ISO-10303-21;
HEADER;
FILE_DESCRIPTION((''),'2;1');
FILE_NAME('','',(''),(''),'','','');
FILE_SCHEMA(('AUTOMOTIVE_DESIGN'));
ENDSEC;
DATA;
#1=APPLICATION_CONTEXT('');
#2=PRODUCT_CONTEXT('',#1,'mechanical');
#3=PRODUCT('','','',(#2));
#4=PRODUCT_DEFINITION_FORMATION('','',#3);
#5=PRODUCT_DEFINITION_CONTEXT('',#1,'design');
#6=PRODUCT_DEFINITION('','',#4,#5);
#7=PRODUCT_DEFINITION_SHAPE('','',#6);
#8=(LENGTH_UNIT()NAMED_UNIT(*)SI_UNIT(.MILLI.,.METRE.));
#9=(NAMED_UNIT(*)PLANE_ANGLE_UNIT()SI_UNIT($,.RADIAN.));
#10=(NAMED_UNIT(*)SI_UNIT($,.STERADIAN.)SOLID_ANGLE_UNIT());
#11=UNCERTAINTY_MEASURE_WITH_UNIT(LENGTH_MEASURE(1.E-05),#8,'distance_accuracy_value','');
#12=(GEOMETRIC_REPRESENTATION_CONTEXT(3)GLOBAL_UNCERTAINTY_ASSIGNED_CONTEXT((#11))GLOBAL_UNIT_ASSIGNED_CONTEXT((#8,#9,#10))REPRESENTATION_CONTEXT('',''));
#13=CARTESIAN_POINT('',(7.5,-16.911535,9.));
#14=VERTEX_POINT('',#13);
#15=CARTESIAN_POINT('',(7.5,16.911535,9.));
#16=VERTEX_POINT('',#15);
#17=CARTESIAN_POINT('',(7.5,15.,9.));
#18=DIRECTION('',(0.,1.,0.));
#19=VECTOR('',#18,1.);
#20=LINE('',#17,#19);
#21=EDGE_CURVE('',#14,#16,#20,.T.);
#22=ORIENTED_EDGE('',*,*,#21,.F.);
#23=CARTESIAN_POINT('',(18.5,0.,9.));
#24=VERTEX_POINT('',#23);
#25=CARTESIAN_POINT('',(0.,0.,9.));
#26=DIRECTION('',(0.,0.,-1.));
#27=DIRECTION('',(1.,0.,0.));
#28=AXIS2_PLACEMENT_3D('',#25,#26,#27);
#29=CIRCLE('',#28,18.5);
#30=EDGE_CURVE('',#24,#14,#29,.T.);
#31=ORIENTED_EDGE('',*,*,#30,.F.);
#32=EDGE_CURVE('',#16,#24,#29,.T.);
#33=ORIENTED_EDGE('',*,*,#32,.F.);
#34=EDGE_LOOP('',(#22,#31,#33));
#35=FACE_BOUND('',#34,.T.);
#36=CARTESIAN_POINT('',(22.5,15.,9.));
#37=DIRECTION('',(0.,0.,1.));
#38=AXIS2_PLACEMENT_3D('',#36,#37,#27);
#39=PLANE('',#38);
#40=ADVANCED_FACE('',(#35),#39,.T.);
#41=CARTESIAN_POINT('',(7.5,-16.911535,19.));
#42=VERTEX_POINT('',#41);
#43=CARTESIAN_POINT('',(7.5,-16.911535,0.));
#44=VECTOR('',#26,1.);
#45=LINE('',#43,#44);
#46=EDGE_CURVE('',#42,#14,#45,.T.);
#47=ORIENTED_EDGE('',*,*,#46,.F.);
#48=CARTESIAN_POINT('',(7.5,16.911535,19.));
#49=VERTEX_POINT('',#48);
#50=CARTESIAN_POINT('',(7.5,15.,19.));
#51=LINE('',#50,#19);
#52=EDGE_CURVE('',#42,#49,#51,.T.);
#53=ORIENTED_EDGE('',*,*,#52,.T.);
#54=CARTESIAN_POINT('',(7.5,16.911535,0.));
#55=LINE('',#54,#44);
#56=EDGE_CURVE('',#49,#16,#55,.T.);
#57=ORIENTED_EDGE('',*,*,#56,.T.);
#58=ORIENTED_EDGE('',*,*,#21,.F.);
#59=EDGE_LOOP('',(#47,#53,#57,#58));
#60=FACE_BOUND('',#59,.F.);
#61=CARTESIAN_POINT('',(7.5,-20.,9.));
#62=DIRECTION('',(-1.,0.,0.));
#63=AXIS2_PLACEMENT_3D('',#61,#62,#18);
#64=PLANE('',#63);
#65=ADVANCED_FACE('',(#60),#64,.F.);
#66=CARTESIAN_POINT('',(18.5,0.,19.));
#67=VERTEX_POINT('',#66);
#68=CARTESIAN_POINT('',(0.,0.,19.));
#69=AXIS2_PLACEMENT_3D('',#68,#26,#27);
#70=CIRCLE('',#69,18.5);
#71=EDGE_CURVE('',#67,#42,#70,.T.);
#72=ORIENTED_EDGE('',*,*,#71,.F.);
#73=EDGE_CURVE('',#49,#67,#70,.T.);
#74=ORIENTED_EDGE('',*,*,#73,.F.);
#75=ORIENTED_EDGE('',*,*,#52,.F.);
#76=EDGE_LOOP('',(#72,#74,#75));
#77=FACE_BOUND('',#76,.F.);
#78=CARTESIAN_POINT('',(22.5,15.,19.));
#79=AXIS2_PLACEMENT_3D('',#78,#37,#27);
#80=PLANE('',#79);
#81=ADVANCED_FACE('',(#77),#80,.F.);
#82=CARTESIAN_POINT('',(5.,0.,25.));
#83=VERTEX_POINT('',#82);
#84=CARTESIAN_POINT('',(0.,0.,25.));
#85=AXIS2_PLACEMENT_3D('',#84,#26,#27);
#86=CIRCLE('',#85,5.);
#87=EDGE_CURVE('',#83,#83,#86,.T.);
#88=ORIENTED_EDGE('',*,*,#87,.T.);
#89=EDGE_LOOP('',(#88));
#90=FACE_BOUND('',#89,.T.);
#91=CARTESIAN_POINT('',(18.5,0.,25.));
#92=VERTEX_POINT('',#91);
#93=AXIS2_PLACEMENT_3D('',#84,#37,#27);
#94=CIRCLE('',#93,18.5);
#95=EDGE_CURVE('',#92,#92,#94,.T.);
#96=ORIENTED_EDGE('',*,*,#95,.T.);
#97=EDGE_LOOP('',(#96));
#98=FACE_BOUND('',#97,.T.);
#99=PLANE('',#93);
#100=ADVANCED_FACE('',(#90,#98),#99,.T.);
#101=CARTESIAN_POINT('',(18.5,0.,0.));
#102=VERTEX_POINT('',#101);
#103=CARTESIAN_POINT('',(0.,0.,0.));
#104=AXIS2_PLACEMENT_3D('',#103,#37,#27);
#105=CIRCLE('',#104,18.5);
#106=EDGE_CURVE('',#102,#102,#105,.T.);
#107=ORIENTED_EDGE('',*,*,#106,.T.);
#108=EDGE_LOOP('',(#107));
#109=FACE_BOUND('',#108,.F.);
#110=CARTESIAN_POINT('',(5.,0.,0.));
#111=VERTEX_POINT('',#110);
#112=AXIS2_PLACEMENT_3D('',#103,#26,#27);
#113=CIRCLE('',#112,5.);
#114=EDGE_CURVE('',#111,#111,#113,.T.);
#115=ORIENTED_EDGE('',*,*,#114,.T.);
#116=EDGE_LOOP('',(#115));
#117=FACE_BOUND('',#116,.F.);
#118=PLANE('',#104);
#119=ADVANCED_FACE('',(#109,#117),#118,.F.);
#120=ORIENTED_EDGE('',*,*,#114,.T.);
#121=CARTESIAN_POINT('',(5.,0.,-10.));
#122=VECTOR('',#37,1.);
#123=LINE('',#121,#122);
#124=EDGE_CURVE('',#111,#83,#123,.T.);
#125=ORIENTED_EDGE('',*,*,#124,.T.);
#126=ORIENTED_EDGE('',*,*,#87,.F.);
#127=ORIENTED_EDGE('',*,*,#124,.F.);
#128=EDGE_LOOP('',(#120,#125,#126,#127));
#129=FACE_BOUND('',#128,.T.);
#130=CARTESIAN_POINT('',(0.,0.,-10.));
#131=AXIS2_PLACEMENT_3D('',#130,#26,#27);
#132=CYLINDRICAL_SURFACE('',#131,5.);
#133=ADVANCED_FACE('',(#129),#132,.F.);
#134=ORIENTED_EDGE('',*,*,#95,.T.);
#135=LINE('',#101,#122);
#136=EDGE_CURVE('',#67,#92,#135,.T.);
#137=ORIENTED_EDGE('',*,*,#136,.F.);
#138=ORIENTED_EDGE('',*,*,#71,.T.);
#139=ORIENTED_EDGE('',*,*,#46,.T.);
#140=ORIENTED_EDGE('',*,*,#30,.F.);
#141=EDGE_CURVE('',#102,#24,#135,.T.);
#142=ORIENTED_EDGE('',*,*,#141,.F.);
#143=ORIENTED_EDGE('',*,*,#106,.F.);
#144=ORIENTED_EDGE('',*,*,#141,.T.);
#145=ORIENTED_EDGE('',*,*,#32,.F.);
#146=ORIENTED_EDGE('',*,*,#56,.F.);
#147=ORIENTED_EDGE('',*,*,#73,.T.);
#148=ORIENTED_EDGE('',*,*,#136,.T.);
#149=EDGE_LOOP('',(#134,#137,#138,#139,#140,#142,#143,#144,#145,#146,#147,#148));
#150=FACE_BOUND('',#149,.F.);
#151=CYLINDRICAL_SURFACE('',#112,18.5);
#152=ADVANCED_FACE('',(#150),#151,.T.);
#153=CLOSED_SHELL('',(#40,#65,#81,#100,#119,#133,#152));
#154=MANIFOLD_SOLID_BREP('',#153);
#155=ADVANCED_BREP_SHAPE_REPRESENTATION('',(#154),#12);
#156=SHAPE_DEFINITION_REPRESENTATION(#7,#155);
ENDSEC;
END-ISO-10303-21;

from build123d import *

# Parameters (mm, degrees)
BOX001_W          = 30
BOX001_H          = 70
BOX001_DEPTH      = 10
CYLINDER003_R     = 5
CYLINDER003_DEPTH = 40
CYLINDER002_R     = 18.5
CYLINDER002_DEPTH = 25


with BuildPart() as cube001:
    # Box001 → Box001 (new body)
    with BuildSketch(Plane(origin=(7.5, -20, 9), x_dir=(1, 0, 0), z_dir=(0, 0, 1))):
        with Locations((15, 35)):
            Rectangle(BOX001_W, BOX001_H)
    extrude(amount=BOX001_DEPTH)


with BuildPart() as cylinder003:
    # Cylinder003 → Cylinder003 (new body)
    with BuildSketch(Plane.XY.offset(-10)):
        Circle(CYLINDER003_R)
    extrude(amount=CYLINDER003_DEPTH)


with BuildPart() as mount:
    # Cylinder002 → Cylinder002 (new body)
    with BuildSketch(Plane.XY):
        Circle(CYLINDER002_R)
    extrude(amount=CYLINDER002_DEPTH)

    # Cut002: cut Cylinder003
    add(cylinder003.part, mode=Mode.SUBTRACT)

    # Cut003: cut Cube001
    add(cube001.part, mode=Mode.SUBTRACT)


solid = mount.part
